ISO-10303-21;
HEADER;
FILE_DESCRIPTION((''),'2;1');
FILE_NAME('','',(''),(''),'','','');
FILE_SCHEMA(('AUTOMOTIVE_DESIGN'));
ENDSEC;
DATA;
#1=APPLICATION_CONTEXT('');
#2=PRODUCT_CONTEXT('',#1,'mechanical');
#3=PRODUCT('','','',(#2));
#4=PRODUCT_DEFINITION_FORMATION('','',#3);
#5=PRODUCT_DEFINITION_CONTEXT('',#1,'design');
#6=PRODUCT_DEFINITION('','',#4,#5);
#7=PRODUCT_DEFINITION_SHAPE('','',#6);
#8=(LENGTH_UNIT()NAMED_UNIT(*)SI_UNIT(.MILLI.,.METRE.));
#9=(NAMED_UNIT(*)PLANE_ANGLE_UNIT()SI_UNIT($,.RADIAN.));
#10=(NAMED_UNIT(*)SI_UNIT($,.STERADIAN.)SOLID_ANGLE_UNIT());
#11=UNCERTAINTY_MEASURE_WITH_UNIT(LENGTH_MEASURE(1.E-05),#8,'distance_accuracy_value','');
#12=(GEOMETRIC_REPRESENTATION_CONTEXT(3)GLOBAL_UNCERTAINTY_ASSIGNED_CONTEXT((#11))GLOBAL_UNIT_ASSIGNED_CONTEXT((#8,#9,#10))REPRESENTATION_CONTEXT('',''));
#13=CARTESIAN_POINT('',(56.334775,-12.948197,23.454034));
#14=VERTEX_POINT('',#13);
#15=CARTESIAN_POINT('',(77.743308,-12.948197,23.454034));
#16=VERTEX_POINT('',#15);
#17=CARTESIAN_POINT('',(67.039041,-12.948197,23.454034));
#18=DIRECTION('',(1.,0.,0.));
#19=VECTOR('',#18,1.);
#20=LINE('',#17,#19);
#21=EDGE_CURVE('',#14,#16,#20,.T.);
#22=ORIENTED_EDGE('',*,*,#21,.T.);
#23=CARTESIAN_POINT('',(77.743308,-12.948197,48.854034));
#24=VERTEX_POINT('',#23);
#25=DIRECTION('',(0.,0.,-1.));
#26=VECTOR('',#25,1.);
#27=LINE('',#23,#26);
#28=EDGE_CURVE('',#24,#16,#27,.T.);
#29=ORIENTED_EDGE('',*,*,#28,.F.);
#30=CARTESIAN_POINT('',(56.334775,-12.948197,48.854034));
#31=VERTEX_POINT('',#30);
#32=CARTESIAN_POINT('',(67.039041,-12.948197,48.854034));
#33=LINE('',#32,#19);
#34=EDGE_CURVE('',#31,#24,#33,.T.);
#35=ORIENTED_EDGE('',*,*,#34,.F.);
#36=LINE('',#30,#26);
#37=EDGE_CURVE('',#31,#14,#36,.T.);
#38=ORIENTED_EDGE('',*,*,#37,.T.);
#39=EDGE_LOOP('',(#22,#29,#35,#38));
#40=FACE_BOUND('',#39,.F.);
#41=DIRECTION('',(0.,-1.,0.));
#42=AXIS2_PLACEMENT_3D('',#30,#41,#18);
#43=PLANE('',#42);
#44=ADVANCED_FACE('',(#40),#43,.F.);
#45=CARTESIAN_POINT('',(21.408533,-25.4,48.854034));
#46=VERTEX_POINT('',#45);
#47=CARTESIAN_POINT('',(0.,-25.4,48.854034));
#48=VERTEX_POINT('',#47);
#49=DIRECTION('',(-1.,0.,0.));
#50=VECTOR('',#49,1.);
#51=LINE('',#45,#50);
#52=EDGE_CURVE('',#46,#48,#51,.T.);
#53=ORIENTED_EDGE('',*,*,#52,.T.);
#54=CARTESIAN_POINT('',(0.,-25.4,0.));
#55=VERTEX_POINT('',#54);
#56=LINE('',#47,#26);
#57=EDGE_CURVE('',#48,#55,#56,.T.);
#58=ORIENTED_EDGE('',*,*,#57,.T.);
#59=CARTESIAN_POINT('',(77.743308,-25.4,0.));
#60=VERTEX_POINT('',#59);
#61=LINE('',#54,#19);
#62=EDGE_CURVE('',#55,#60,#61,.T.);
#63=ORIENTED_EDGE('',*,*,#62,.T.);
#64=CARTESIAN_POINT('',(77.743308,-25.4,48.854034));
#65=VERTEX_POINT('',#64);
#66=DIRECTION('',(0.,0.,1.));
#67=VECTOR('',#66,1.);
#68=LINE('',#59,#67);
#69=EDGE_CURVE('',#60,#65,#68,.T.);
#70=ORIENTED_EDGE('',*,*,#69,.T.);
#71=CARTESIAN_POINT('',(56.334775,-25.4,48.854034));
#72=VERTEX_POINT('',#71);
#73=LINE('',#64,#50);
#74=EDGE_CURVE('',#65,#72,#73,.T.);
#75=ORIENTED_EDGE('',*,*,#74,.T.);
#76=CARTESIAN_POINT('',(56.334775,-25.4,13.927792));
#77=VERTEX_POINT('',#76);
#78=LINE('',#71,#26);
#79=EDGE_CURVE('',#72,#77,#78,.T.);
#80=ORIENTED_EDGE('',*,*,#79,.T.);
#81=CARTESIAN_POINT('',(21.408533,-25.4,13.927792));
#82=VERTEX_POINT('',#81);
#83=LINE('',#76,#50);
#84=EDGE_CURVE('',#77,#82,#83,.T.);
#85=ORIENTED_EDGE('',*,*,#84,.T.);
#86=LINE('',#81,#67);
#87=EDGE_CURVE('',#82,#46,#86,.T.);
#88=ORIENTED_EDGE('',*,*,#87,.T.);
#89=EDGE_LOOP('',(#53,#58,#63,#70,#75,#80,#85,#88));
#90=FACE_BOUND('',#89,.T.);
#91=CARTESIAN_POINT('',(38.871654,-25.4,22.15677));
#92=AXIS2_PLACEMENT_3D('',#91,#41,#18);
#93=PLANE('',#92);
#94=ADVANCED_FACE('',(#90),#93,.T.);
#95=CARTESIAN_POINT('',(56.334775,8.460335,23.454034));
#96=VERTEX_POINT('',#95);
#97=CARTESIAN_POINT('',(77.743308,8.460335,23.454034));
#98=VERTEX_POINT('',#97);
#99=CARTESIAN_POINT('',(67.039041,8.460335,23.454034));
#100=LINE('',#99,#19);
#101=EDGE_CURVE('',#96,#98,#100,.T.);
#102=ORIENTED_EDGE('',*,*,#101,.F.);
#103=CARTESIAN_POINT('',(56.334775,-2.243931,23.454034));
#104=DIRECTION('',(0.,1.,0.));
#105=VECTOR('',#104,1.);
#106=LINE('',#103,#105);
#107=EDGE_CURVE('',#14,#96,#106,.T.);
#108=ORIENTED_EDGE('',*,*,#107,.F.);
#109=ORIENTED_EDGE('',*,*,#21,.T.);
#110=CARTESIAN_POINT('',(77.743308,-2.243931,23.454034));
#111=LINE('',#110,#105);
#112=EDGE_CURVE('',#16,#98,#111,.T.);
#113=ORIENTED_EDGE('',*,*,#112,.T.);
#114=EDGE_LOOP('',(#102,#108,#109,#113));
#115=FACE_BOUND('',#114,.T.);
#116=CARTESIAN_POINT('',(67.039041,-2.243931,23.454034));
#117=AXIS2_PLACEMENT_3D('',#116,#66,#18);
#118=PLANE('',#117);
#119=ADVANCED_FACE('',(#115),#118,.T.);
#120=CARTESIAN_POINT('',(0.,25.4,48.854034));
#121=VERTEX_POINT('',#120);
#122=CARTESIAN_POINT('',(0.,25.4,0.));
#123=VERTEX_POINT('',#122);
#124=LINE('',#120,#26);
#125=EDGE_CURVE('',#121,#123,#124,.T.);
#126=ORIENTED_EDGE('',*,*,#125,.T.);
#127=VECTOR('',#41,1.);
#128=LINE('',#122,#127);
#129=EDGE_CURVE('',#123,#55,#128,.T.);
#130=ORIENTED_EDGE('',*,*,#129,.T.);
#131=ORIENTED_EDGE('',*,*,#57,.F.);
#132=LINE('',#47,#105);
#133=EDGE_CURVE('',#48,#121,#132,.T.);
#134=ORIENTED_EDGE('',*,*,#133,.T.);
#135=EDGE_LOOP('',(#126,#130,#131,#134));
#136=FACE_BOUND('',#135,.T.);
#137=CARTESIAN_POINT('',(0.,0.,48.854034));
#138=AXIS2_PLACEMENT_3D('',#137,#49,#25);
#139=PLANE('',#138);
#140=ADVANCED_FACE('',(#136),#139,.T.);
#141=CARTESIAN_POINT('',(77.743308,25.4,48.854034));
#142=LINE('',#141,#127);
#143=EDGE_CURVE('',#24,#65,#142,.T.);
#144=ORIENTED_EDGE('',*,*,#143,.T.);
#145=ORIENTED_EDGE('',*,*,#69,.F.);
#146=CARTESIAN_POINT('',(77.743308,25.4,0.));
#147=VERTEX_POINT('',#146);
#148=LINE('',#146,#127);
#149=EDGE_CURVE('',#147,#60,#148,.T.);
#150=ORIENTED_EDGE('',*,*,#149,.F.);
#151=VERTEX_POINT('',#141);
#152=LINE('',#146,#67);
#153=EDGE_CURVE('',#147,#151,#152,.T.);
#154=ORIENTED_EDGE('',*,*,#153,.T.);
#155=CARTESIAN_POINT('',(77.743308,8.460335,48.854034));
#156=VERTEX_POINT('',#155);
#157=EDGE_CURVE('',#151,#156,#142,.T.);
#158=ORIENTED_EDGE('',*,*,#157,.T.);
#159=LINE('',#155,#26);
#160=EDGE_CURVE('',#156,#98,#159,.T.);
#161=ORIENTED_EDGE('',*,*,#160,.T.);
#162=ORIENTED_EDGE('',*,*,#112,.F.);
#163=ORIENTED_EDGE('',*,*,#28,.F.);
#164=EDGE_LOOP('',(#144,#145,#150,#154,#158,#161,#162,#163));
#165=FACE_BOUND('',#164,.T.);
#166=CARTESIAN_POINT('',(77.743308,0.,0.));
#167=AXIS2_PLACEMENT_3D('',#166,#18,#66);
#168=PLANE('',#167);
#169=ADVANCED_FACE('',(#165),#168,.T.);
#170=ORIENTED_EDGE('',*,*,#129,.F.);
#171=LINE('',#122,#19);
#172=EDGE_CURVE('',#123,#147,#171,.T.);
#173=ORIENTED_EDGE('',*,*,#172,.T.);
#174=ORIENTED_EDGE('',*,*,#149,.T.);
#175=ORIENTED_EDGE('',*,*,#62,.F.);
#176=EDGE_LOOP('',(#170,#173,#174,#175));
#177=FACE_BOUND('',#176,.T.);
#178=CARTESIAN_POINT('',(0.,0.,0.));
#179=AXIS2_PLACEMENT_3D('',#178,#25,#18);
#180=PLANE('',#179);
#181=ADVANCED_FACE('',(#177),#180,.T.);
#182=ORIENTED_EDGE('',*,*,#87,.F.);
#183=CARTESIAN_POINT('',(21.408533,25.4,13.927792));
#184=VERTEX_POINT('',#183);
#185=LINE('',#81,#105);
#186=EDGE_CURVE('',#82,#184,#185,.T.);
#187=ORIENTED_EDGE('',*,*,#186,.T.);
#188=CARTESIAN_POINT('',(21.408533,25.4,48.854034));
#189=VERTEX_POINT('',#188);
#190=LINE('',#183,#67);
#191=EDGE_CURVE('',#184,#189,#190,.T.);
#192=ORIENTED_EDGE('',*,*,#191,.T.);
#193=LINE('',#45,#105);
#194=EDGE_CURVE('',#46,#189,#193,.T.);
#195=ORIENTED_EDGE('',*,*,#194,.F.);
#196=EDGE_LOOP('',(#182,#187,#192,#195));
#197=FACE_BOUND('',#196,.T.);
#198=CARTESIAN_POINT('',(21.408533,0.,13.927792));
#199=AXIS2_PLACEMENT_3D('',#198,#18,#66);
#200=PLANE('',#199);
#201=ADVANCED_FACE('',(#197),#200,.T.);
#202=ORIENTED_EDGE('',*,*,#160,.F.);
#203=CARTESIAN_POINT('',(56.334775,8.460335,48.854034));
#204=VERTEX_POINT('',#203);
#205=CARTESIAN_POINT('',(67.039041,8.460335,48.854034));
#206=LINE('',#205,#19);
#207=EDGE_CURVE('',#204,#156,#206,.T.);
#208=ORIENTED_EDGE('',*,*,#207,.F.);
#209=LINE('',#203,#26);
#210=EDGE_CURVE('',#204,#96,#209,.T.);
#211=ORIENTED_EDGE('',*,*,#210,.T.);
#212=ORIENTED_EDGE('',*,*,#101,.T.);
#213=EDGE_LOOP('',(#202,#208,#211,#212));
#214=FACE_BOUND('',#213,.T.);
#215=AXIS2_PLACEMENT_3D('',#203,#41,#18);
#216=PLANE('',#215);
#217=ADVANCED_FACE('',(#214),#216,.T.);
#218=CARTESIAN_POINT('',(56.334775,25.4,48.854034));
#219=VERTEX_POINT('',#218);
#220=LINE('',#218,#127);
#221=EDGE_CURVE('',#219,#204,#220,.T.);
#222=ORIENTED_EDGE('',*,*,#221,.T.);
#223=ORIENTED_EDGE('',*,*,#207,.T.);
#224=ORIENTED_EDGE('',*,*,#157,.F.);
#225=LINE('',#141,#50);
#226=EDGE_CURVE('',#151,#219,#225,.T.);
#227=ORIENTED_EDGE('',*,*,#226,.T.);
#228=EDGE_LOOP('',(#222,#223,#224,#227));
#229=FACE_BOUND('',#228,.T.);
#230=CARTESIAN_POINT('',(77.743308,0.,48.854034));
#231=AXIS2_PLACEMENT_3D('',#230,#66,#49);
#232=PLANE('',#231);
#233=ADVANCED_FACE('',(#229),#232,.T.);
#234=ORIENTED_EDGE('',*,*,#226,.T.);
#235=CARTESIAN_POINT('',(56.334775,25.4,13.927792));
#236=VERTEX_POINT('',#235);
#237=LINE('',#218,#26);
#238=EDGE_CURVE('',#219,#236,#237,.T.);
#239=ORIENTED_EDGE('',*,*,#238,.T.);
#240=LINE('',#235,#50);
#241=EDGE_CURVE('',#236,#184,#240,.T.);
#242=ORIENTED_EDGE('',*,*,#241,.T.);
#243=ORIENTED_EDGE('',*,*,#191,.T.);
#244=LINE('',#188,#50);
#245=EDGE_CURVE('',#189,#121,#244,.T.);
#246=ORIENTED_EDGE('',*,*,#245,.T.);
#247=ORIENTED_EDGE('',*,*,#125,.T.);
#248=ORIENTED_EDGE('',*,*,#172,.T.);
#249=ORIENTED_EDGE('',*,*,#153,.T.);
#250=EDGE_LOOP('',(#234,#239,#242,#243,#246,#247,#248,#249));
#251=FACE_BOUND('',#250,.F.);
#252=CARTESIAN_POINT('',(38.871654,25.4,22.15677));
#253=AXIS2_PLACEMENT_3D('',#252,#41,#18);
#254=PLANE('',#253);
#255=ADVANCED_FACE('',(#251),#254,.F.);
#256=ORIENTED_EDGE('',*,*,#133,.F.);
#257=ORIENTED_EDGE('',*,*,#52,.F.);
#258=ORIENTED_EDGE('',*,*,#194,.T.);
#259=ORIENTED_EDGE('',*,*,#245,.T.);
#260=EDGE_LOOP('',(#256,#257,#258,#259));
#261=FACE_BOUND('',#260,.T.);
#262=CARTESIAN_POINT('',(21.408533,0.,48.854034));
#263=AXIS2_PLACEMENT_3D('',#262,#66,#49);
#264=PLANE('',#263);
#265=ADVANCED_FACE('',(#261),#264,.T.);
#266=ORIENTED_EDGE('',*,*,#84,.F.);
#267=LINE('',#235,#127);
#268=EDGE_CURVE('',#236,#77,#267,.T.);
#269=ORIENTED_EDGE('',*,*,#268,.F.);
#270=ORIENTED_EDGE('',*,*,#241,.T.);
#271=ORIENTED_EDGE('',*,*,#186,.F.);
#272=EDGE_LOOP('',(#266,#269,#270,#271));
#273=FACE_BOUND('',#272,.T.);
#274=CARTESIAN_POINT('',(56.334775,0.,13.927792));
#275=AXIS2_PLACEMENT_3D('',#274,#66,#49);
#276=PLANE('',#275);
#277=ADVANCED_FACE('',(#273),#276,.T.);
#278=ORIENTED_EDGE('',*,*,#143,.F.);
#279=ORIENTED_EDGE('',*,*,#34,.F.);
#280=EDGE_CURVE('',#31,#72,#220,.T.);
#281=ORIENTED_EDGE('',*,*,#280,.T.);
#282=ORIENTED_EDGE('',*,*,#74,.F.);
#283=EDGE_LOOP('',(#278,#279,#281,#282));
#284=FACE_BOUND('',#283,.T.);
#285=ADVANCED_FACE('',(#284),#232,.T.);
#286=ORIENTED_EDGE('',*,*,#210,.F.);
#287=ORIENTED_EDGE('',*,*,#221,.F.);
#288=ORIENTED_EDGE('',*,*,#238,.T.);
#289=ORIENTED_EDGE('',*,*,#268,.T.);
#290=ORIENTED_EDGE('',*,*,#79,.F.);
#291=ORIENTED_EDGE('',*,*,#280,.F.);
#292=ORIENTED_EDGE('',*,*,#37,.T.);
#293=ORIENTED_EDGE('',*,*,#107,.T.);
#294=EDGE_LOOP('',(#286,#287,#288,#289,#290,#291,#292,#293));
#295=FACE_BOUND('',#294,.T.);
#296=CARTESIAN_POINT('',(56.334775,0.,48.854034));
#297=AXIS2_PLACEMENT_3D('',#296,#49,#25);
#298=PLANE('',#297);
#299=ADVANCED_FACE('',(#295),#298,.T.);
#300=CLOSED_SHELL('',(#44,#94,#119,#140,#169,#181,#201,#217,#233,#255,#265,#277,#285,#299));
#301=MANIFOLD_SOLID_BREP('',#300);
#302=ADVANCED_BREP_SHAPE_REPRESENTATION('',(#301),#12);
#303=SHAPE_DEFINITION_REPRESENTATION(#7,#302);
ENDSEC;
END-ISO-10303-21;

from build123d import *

# Parameters (mm, degrees)
F1_DEPTH      = 25.4
F1_DEPTH_BACK = 25.4
F2_W          = 21.4085327461
F2_H          = 21.4085327461
F3_DEPTH      = 25.4


with BuildPart() as f1:
    # F0 (on Front) → F1 (new body, two sides)
    with BuildSketch(Plane.XZ) as f1_sk:
        Polygon((0, 48.854034394), (0, 0), (77.7433076873, 0), (77.7433076873, 48.854034394), (56.3347749412, 48.854034394), (56.3347749412, 13.927792199), (21.4085327461, 13.927792199), (21.4085327461, 48.854034394), align=None)
    extrude(amount=F1_DEPTH)
    extrude(f1_sk.sketch, amount=-F1_DEPTH_BACK)

    # F2 (on face) → F3 (cut)
    with BuildSketch(Plane.XY.offset(48.854034394)):
        with Locations((67.0390413143, -2.2439309396)):
            Rectangle(F2_W, F2_H)
    extrude(amount=-F3_DEPTH, mode=Mode.SUBTRACT)


solid = f1.part
